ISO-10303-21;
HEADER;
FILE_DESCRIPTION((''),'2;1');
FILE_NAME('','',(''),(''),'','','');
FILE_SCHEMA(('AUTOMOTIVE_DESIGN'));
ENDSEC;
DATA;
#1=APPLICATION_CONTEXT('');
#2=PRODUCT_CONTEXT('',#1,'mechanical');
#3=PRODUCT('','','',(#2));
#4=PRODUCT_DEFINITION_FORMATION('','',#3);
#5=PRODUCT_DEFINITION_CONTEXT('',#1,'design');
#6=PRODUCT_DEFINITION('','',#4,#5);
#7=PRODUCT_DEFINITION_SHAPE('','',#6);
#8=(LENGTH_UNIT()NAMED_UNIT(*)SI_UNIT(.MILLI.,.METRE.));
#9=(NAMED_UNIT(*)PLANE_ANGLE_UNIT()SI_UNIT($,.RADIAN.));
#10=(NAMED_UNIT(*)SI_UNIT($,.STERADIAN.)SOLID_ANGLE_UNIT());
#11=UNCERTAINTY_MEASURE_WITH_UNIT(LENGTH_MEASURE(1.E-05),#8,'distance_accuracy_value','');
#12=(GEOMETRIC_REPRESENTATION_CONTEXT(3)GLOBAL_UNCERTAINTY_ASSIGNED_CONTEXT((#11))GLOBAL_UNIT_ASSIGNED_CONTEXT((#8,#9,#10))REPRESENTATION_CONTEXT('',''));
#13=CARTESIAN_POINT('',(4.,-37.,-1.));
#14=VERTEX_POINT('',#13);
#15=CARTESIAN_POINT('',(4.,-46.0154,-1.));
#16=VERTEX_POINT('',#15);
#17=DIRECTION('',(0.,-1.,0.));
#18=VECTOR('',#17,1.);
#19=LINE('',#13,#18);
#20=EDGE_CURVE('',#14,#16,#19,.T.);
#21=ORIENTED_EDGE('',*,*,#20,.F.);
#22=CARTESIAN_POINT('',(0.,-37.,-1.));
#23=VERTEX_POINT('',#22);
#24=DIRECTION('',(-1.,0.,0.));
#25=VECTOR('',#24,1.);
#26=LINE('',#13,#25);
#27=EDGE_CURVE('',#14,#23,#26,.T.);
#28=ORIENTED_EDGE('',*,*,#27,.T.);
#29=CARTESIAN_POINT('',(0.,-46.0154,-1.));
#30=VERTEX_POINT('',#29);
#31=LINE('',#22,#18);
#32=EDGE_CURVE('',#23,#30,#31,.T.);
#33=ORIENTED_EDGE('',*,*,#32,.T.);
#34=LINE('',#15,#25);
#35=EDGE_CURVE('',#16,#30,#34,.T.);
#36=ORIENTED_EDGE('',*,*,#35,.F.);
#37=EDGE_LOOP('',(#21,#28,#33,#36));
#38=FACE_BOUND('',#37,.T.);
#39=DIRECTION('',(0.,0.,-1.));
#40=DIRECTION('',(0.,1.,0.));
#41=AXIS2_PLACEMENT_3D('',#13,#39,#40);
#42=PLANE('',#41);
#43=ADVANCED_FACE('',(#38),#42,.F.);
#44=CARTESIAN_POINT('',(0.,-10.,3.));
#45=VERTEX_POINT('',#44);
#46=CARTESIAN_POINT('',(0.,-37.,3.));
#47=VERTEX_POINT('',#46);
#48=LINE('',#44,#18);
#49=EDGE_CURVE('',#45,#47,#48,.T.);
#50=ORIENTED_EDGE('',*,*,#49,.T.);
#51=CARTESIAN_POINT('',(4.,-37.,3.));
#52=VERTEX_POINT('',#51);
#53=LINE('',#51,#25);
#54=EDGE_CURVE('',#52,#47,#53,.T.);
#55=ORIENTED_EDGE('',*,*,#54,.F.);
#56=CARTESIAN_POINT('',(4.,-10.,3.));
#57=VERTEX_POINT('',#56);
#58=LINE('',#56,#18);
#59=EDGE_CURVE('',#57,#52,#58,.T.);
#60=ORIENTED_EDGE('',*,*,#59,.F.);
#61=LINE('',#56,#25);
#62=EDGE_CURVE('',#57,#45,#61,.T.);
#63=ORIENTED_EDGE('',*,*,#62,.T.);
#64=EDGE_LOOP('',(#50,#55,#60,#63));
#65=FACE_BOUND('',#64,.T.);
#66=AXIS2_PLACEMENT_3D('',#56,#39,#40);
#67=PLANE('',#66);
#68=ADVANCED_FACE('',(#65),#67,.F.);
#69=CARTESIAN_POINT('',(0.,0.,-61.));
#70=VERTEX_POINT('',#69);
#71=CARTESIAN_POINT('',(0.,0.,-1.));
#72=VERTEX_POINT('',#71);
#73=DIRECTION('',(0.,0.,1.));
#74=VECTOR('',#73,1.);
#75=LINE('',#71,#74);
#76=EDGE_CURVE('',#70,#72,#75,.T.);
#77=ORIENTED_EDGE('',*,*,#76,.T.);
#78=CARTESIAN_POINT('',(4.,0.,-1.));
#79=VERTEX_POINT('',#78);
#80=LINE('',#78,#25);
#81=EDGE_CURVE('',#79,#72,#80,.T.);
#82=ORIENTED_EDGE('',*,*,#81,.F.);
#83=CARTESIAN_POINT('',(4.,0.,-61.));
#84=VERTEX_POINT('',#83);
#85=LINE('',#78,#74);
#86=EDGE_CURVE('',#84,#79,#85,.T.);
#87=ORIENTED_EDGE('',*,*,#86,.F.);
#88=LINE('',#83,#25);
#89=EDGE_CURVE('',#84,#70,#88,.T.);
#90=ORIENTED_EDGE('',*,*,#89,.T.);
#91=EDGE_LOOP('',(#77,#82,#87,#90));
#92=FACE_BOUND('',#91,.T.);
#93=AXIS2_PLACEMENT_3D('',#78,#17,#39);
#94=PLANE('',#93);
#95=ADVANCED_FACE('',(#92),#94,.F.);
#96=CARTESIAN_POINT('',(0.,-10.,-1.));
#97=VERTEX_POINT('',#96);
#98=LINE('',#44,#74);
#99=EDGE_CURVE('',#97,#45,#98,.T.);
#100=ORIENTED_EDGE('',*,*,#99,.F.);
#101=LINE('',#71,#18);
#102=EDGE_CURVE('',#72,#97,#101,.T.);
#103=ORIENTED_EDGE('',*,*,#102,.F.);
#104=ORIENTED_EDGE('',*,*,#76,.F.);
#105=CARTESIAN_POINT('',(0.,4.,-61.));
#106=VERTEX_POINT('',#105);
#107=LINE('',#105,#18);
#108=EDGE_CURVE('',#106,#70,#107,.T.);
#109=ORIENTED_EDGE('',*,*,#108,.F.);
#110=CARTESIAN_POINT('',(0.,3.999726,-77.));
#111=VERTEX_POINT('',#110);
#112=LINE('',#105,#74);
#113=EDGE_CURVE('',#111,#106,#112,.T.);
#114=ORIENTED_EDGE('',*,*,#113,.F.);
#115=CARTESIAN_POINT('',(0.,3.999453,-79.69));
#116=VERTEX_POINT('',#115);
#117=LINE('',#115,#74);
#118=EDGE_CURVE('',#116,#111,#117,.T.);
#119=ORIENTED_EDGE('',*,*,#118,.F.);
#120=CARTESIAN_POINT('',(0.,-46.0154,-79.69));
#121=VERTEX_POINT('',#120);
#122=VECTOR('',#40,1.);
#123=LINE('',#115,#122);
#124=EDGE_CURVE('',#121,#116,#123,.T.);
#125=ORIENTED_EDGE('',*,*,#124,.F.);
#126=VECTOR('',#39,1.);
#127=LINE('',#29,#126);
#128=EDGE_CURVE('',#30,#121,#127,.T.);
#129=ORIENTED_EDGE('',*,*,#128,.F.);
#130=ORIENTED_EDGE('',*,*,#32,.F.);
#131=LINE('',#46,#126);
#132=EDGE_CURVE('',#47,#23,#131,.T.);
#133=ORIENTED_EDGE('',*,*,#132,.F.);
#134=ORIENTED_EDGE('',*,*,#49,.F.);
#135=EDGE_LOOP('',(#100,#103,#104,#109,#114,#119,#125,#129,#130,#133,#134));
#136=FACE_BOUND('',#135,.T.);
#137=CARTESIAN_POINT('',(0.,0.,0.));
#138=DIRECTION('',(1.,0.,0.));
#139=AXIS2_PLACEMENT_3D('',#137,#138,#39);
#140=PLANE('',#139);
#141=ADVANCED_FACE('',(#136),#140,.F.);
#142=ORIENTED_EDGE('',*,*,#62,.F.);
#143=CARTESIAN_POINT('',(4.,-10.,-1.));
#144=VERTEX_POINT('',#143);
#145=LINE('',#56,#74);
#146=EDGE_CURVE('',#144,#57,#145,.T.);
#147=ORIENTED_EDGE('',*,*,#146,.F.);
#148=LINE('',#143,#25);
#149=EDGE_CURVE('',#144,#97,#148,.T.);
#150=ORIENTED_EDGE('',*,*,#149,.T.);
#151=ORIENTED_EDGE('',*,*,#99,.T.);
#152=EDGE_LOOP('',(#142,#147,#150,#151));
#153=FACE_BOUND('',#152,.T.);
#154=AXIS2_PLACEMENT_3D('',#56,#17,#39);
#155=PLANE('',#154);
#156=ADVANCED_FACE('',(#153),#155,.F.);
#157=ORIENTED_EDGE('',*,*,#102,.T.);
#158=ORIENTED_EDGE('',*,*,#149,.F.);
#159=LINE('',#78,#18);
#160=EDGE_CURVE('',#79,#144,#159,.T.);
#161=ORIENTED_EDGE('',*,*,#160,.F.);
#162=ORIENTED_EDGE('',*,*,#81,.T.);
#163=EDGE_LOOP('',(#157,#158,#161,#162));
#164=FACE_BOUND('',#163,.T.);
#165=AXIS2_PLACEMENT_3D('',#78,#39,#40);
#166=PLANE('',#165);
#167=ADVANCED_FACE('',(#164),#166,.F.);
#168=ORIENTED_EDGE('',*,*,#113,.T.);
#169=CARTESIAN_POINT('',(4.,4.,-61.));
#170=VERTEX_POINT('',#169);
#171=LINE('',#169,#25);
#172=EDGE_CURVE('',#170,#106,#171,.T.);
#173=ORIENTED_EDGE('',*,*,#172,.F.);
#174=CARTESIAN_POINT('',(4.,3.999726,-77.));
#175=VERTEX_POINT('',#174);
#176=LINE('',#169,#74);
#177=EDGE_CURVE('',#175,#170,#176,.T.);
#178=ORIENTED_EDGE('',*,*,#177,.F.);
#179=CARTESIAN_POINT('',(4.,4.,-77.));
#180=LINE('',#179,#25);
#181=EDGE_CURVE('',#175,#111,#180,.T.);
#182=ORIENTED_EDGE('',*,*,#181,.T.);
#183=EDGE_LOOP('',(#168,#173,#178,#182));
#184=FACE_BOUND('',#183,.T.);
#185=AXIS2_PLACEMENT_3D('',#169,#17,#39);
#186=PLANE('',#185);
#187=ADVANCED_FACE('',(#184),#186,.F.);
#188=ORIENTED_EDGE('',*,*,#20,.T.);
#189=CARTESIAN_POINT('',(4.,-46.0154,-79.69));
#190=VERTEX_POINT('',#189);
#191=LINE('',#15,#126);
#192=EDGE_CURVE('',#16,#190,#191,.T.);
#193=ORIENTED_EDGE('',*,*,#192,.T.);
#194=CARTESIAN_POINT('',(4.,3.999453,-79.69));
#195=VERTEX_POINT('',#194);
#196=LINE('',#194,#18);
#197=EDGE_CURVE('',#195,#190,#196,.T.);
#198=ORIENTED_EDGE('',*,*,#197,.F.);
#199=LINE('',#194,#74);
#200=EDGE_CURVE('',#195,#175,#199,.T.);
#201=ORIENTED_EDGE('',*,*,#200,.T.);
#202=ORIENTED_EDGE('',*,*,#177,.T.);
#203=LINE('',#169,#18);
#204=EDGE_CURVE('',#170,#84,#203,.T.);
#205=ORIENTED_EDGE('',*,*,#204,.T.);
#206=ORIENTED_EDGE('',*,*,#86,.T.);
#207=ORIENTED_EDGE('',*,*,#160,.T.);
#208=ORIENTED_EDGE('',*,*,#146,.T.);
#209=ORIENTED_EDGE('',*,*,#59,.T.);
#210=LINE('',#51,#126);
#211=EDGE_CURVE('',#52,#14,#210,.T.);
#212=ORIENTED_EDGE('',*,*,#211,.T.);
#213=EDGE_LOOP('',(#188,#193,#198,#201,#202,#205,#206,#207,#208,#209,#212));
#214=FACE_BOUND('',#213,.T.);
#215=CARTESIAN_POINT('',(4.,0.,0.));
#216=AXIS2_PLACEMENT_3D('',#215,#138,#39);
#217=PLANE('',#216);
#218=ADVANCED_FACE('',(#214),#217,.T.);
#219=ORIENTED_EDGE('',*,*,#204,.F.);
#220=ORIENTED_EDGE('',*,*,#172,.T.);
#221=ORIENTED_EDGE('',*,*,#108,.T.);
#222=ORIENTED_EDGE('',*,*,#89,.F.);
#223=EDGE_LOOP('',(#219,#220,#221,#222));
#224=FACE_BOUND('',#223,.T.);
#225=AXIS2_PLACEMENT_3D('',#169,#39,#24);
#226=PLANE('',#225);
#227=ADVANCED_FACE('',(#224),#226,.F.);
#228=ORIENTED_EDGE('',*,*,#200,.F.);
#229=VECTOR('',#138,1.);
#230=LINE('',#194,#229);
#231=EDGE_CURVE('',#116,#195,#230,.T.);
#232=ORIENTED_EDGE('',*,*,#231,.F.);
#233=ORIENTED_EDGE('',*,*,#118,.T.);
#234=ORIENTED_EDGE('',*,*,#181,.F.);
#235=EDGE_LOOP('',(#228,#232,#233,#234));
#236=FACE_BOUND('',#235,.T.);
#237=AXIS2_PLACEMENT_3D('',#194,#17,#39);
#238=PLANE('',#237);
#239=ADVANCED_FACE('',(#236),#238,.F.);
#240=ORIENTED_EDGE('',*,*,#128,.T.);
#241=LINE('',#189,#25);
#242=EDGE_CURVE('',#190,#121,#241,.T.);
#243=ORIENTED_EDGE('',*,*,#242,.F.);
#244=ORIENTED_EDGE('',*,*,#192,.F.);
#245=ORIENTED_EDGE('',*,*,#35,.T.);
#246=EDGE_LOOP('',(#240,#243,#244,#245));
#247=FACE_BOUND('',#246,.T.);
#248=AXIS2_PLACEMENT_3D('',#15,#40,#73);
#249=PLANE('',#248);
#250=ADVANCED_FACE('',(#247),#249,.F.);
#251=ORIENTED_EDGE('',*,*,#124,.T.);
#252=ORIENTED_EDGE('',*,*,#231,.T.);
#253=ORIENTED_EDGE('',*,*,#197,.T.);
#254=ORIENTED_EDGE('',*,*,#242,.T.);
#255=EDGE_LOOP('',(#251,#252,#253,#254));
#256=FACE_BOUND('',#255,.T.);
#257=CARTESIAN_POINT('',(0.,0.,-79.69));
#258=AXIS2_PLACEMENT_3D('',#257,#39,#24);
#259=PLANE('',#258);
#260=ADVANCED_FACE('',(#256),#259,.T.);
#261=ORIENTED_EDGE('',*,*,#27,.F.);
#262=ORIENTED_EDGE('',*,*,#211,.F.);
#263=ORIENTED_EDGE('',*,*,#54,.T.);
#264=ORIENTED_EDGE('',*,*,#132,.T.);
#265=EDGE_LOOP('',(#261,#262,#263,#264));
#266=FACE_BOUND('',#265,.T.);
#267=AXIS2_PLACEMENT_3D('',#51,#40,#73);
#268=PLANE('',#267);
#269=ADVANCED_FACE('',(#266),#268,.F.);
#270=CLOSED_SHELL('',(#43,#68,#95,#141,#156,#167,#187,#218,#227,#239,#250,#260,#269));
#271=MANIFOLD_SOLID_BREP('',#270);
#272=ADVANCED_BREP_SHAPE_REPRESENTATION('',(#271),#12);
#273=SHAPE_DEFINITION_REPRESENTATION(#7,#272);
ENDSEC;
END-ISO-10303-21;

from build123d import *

# Parameters (mm, degrees)
BOSS_EXTRUDE1_DEPTH     = 4
CUT_EXTRUDE1_DEPTH      = 10
CUT_EXTRUDE1_DEPTH_BACK = 10
SKETCH4_W               = 4
SKETCH4_H               = 50.01485274
BOSS_EXTRUDE3_DEPTH     = 2.69


with BuildPart() as part:
    # Sketch2 → Boss-Extrude1 (new body)
    with BuildSketch(Plane(origin=(0, 0, 0), x_dir=(0, 0, -1), z_dir=(1, 0, 0))):
        Polygon((61, 4), (101, 4), (101, 0), (161.781661072, 0), (161.781661072, -10), (165.781661072, -10), (165.781661072, -37), (161.781661072, -37), (161.781661072, -46.015400021), (1, -46.015400021), (1, -37), (-3, -37), (-3, -10), (1, -10), (1, 0), (61, 0), align=None)
    extrude(amount=BOSS_EXTRUDE1_DEPTH)

    # Sketch3 → Cut-Extrude1 (cut, two sides: drawn at the far end of the back side and taken through both)
    with BuildSketch(Plane(origin=(0, 0, 0), x_dir=(0, 0, -1), z_dir=(1, 0, 0)).offset(-CUT_EXTRUDE1_DEPTH_BACK)):
        Polygon((77, 4.594080923), (187.139354616, 4.594080923), (187.139354616, -56.777475016), (77, -56.777475016), (77, -46.986682045), align=None)
    extrude(amount=CUT_EXTRUDE1_DEPTH + CUT_EXTRUDE1_DEPTH_BACK, mode=Mode.SUBTRACT)

    # Sketch4 → Boss-Extrude3 (add)
    with BuildSketch(Plane(origin=(0, 0, -77), x_dir=(-1, 0, 0), z_dir=(0, 0, -1))):
        with Locations((-2, -21.007973651)):
            Rectangle(SKETCH4_W, SKETCH4_H)
    extrude(amount=BOSS_EXTRUDE3_DEPTH)


solid = part.part
